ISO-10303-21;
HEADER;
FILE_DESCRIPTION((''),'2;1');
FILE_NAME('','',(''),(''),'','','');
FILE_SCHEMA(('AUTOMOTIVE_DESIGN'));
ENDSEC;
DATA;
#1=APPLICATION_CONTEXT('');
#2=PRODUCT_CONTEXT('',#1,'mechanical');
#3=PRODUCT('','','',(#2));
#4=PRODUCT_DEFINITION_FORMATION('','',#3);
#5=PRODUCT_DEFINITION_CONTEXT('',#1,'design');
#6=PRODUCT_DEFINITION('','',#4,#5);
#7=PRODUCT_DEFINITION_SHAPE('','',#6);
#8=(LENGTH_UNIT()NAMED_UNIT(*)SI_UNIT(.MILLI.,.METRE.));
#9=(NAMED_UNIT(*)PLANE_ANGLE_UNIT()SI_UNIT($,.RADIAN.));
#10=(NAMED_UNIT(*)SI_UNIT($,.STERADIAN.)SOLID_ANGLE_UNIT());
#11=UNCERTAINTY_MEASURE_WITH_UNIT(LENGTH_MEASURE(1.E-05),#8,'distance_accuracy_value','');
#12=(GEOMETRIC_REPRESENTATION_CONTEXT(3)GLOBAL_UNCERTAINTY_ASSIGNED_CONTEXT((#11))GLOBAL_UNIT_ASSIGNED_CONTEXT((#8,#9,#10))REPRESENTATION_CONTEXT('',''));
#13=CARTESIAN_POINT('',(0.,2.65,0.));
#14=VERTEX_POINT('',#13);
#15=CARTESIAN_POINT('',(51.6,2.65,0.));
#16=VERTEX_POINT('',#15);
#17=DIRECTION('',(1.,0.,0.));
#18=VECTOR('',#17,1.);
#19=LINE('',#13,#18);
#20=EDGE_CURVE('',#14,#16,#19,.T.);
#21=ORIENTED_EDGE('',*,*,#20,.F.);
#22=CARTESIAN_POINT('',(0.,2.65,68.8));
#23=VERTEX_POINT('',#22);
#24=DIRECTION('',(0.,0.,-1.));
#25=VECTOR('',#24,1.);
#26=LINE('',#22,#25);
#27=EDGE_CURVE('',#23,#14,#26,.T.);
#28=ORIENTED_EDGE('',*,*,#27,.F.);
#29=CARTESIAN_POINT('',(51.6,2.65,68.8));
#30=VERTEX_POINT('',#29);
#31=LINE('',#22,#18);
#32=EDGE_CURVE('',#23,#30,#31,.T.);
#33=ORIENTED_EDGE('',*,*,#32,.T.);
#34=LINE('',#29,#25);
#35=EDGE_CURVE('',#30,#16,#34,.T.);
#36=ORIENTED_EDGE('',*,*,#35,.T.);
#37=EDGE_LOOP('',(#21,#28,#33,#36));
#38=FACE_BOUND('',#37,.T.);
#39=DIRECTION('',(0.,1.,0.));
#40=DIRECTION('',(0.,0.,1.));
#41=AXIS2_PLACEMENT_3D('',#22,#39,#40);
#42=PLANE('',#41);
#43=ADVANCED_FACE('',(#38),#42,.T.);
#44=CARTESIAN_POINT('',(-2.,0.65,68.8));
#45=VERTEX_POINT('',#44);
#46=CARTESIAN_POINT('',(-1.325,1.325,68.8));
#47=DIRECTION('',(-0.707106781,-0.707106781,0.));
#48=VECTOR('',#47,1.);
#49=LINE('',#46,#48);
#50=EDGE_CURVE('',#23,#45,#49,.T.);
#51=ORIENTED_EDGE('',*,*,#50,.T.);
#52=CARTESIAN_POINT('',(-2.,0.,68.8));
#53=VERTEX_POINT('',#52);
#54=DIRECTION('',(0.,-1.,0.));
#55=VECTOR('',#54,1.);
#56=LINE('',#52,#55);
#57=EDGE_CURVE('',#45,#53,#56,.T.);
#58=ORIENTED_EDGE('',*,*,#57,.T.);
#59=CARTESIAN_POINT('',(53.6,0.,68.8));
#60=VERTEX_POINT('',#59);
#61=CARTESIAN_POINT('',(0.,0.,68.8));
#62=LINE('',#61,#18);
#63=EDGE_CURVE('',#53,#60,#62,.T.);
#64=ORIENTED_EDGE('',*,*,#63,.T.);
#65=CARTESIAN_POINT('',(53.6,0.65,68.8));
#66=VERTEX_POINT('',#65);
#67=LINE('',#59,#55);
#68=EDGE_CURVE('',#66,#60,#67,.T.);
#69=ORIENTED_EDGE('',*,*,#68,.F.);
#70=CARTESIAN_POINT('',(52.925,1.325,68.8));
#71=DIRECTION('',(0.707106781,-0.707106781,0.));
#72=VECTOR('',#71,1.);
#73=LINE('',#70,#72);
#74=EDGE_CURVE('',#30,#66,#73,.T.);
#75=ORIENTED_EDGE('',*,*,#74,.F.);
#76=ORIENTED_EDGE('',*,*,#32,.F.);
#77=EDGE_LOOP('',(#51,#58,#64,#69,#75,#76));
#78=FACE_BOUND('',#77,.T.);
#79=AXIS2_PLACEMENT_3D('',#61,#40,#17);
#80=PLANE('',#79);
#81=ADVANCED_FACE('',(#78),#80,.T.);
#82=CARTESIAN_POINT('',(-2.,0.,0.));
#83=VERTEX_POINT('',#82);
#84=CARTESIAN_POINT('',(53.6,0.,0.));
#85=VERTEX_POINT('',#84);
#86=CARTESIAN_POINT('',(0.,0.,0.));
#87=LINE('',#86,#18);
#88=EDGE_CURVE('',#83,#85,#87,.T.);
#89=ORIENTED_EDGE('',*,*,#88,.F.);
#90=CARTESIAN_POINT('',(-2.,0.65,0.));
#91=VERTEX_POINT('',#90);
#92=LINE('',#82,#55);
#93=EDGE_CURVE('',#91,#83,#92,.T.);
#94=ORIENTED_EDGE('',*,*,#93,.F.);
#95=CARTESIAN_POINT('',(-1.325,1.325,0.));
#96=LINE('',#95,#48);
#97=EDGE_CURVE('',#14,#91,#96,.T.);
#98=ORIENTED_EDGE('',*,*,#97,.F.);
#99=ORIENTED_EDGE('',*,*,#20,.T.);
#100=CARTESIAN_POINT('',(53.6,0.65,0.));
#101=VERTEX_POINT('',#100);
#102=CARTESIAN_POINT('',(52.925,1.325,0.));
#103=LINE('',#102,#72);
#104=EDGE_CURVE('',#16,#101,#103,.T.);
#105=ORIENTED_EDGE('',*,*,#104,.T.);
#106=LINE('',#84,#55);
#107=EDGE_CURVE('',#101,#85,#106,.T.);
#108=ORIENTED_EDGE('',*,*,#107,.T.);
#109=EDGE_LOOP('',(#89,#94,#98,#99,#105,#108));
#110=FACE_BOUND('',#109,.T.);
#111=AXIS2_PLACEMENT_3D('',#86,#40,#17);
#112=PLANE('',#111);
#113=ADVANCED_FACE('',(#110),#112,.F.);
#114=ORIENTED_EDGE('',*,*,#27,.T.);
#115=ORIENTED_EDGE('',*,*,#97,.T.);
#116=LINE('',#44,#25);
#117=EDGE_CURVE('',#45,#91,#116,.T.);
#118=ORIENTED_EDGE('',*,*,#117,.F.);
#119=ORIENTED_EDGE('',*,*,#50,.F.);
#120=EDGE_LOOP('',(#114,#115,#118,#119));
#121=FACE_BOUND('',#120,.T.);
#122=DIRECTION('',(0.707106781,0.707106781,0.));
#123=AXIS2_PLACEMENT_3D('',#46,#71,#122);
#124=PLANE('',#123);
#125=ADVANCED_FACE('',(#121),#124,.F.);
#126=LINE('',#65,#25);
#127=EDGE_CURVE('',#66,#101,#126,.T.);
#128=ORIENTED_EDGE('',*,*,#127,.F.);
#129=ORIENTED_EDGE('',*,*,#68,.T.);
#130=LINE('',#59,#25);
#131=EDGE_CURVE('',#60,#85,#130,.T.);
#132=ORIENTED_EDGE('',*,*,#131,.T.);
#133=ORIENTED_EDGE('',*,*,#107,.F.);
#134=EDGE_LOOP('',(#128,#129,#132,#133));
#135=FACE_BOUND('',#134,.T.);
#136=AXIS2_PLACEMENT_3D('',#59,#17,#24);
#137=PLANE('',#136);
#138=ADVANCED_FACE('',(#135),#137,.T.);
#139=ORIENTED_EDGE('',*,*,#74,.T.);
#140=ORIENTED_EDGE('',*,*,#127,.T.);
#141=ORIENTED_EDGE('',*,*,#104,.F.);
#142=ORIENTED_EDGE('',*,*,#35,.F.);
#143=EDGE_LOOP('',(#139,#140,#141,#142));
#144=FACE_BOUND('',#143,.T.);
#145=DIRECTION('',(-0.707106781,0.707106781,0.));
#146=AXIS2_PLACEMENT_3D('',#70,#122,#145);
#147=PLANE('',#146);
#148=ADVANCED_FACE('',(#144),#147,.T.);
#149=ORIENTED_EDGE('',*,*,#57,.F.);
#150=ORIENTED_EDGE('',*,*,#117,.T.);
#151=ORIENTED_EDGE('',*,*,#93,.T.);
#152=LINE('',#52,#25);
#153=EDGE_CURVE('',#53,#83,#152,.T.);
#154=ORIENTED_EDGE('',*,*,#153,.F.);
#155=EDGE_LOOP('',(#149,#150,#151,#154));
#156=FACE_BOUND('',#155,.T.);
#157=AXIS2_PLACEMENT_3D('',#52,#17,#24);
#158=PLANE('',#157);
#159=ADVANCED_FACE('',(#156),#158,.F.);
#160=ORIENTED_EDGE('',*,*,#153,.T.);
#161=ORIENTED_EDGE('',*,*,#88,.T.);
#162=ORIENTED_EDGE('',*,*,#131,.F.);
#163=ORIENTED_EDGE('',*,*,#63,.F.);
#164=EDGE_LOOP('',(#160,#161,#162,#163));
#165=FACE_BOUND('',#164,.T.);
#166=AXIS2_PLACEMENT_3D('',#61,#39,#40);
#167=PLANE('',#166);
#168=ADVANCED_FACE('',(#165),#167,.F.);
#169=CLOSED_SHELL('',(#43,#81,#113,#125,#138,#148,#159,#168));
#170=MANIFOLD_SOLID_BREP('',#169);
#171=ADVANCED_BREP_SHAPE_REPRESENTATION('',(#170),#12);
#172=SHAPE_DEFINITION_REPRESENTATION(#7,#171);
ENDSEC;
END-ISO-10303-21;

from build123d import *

# Parameters (mm, degrees)
SKETCH1_W           = 25.8
SKETCH1_H           = 2.65
BOSS_EXTRUDE1_DEPTH = 68.8


with BuildPart() as part:
    # Sketch1 → Boss-Extrude1 (new body)
    with BuildSketch(Plane.XY):
        Polygon((-2, 0.65), (-2, 0), (0, 0), (0, 2.65), align=None)
        with Locations((12.9, 1.325)):
            Rectangle(SKETCH1_W, SKETCH1_H)
    boss_extrude1 = extrude(amount=BOSS_EXTRUDE1_DEPTH)

    # Mirror1: Boss-Extrude1 across plane
    add(boss_extrude1.mirror(Plane(origin=(25.8, 0, 68.8), x_dir=(0, 0, 1), z_dir=(-1, 0, 0))))


solid = part.part
